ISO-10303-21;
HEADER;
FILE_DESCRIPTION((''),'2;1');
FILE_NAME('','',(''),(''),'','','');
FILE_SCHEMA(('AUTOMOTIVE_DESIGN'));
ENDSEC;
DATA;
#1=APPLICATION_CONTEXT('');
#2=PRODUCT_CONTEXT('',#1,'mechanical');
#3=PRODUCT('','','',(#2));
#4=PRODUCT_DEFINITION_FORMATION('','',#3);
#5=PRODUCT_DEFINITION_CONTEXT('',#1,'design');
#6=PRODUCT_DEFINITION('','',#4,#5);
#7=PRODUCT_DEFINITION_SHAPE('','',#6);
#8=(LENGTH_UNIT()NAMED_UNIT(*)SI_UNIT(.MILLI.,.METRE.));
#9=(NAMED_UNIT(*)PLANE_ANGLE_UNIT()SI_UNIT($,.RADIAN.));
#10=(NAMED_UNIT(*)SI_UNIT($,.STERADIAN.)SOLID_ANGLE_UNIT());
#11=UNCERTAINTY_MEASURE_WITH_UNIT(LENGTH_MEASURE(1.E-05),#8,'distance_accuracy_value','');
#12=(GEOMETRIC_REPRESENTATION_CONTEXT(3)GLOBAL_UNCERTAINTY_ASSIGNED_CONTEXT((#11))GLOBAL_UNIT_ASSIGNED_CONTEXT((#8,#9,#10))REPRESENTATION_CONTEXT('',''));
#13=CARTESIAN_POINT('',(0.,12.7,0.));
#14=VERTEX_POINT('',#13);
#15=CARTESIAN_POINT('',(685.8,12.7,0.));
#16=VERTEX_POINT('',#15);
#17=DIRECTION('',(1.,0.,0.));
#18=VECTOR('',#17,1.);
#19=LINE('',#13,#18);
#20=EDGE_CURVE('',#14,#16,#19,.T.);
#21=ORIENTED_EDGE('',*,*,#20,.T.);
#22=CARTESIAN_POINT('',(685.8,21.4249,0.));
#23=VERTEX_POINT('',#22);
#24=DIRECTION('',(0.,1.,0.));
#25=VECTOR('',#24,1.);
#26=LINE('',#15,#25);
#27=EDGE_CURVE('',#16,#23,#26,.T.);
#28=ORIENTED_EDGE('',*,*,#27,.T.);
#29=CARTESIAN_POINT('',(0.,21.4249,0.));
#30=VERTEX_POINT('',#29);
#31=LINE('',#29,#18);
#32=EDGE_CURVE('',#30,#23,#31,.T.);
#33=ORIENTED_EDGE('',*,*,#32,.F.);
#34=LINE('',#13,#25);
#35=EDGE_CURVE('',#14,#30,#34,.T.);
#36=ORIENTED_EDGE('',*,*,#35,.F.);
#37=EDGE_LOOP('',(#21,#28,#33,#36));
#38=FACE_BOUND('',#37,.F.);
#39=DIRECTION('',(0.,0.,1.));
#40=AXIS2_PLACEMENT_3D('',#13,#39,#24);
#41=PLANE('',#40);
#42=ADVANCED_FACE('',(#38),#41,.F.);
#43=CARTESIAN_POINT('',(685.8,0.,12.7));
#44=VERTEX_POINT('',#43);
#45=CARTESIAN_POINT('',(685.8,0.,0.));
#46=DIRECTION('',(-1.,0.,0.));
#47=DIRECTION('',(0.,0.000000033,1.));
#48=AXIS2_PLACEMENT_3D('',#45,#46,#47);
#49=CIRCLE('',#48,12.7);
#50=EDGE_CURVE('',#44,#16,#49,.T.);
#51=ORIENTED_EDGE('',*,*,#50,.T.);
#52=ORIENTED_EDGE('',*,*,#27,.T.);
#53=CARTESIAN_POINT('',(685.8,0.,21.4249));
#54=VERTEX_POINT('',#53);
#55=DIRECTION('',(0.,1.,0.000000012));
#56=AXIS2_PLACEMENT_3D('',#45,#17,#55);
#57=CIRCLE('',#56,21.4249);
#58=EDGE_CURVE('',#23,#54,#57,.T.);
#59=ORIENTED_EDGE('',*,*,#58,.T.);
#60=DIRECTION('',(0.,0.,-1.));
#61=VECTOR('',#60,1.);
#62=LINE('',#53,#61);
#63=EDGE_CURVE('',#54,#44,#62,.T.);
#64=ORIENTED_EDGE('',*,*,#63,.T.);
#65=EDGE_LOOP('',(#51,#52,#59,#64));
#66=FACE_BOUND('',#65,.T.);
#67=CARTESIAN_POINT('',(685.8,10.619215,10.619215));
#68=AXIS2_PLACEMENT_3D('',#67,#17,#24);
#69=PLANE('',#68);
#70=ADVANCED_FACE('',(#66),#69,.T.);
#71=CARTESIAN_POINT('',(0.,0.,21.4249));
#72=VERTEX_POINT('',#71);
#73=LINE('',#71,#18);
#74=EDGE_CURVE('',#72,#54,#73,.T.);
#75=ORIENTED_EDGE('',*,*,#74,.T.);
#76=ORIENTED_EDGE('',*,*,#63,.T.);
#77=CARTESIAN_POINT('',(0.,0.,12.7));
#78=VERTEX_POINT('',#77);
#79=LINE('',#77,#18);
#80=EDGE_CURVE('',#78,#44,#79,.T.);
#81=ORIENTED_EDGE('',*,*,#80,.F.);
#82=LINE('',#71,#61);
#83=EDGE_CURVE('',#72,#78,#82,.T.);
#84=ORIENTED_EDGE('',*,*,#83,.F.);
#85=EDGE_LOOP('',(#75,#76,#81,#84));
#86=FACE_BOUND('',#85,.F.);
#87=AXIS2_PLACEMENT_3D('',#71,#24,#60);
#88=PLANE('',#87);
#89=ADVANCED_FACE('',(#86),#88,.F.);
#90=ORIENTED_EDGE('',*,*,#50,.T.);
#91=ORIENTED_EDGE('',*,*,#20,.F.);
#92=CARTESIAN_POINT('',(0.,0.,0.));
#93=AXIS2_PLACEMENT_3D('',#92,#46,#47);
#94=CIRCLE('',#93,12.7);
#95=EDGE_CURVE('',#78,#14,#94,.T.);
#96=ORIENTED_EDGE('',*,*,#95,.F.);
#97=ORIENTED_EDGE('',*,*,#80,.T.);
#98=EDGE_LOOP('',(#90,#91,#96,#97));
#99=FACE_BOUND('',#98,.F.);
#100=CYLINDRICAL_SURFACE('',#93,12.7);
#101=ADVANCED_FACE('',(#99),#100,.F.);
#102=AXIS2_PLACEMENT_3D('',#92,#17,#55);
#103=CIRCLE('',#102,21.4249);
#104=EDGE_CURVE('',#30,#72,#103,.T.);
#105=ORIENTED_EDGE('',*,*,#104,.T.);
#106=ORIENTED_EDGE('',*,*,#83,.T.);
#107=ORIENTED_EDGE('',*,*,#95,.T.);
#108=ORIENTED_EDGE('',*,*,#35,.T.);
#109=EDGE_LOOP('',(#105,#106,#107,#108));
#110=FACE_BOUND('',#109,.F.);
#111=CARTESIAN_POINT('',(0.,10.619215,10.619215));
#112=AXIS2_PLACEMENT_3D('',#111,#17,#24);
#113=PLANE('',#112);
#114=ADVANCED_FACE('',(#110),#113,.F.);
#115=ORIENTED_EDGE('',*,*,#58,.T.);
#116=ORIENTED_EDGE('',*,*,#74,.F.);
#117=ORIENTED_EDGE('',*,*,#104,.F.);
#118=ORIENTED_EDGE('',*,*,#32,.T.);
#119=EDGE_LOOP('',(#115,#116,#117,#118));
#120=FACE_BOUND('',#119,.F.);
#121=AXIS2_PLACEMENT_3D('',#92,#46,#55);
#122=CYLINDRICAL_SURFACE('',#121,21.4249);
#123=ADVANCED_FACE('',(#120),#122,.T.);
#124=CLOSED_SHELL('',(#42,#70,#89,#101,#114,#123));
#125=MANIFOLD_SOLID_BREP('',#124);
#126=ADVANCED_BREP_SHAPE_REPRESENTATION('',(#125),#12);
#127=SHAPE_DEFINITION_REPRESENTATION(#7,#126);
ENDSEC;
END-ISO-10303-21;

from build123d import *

# Parameters (mm, degrees)
F1_DEPTH = 685.8


with BuildPart() as f1:
    # F0 (on Right) → F1 (new body)
    with BuildSketch(Plane.YZ):
        with BuildLine():
            ThreePointArc((0, 12.7), (8.980256, 8.980256), (12.7, 0))
            Line((12.7, 0), (21.4249, 0))
            ThreePointArc((21.4249, 0), (15.149692, 15.149692), (0, 21.4249))
            Line((0, 21.4249), (0, 12.7))
        make_face()
    extrude(amount=F1_DEPTH)


solid = f1.part
